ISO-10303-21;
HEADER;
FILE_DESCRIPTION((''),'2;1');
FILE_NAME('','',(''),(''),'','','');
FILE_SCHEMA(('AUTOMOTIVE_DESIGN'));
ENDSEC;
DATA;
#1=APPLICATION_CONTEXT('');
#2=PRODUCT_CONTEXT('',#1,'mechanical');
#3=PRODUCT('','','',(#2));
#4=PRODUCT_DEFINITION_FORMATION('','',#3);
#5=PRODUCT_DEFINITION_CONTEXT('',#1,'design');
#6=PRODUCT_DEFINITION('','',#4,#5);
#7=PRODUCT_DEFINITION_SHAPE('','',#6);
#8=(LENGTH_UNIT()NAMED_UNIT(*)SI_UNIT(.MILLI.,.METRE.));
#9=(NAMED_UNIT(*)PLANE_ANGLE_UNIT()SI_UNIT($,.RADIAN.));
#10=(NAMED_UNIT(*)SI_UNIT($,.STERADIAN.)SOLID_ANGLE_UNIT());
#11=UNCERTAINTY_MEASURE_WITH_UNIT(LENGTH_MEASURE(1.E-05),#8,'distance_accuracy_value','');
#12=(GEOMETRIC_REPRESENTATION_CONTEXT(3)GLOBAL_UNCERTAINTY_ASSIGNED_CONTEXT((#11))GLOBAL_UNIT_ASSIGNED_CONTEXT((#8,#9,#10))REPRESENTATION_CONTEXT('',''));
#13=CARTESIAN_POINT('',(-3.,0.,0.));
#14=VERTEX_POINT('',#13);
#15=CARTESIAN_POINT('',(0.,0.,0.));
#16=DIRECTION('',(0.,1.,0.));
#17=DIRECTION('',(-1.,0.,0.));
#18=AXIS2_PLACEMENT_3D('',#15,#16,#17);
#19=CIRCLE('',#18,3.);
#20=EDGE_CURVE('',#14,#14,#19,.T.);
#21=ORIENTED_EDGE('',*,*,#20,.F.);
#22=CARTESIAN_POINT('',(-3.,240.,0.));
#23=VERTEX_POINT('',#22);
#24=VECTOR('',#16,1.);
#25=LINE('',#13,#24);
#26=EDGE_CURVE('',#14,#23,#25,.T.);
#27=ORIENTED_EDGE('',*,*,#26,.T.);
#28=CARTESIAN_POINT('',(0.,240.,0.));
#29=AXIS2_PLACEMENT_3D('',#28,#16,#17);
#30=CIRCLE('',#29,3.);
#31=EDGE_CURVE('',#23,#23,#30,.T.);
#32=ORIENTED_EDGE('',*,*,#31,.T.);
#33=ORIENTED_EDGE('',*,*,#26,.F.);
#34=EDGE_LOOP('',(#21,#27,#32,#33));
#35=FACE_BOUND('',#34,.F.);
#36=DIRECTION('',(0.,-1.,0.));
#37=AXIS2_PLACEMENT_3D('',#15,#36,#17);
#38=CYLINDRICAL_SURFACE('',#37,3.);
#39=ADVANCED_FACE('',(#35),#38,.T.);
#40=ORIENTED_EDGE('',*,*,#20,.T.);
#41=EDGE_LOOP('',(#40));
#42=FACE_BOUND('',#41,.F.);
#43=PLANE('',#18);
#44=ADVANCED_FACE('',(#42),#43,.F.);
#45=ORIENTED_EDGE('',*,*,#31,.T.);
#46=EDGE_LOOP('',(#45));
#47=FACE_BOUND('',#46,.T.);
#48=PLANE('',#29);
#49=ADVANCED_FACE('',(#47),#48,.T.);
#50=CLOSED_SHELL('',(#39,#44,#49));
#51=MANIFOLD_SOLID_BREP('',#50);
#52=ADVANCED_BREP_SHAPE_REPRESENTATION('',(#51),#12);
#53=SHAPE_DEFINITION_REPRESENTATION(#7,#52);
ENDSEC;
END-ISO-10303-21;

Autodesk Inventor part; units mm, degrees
ref_plane "YZ Plane" through (0, 0, 0) normal (1, 0, 0) x (0, 1, 0)
ref_plane "XZ Plane" through (0, 0, 0) normal (0, 1, 0) x (-1, 0, 0)
ref_plane "XY Plane" through (0, 0, 0) normal (0, 0, 1) x (1, 0, 0)
sketch "Szkic1" plane through (0, 0, 0) normal (0, 1, 0) x (-1, 0, 0)
  circle A0 centre (0, 0) radius 3
  dimension "d0" = 6
extrude "Wyciągnięcie proste1" add sketch "Szkic1" along normal blind 240
properties part number "Pręt"
